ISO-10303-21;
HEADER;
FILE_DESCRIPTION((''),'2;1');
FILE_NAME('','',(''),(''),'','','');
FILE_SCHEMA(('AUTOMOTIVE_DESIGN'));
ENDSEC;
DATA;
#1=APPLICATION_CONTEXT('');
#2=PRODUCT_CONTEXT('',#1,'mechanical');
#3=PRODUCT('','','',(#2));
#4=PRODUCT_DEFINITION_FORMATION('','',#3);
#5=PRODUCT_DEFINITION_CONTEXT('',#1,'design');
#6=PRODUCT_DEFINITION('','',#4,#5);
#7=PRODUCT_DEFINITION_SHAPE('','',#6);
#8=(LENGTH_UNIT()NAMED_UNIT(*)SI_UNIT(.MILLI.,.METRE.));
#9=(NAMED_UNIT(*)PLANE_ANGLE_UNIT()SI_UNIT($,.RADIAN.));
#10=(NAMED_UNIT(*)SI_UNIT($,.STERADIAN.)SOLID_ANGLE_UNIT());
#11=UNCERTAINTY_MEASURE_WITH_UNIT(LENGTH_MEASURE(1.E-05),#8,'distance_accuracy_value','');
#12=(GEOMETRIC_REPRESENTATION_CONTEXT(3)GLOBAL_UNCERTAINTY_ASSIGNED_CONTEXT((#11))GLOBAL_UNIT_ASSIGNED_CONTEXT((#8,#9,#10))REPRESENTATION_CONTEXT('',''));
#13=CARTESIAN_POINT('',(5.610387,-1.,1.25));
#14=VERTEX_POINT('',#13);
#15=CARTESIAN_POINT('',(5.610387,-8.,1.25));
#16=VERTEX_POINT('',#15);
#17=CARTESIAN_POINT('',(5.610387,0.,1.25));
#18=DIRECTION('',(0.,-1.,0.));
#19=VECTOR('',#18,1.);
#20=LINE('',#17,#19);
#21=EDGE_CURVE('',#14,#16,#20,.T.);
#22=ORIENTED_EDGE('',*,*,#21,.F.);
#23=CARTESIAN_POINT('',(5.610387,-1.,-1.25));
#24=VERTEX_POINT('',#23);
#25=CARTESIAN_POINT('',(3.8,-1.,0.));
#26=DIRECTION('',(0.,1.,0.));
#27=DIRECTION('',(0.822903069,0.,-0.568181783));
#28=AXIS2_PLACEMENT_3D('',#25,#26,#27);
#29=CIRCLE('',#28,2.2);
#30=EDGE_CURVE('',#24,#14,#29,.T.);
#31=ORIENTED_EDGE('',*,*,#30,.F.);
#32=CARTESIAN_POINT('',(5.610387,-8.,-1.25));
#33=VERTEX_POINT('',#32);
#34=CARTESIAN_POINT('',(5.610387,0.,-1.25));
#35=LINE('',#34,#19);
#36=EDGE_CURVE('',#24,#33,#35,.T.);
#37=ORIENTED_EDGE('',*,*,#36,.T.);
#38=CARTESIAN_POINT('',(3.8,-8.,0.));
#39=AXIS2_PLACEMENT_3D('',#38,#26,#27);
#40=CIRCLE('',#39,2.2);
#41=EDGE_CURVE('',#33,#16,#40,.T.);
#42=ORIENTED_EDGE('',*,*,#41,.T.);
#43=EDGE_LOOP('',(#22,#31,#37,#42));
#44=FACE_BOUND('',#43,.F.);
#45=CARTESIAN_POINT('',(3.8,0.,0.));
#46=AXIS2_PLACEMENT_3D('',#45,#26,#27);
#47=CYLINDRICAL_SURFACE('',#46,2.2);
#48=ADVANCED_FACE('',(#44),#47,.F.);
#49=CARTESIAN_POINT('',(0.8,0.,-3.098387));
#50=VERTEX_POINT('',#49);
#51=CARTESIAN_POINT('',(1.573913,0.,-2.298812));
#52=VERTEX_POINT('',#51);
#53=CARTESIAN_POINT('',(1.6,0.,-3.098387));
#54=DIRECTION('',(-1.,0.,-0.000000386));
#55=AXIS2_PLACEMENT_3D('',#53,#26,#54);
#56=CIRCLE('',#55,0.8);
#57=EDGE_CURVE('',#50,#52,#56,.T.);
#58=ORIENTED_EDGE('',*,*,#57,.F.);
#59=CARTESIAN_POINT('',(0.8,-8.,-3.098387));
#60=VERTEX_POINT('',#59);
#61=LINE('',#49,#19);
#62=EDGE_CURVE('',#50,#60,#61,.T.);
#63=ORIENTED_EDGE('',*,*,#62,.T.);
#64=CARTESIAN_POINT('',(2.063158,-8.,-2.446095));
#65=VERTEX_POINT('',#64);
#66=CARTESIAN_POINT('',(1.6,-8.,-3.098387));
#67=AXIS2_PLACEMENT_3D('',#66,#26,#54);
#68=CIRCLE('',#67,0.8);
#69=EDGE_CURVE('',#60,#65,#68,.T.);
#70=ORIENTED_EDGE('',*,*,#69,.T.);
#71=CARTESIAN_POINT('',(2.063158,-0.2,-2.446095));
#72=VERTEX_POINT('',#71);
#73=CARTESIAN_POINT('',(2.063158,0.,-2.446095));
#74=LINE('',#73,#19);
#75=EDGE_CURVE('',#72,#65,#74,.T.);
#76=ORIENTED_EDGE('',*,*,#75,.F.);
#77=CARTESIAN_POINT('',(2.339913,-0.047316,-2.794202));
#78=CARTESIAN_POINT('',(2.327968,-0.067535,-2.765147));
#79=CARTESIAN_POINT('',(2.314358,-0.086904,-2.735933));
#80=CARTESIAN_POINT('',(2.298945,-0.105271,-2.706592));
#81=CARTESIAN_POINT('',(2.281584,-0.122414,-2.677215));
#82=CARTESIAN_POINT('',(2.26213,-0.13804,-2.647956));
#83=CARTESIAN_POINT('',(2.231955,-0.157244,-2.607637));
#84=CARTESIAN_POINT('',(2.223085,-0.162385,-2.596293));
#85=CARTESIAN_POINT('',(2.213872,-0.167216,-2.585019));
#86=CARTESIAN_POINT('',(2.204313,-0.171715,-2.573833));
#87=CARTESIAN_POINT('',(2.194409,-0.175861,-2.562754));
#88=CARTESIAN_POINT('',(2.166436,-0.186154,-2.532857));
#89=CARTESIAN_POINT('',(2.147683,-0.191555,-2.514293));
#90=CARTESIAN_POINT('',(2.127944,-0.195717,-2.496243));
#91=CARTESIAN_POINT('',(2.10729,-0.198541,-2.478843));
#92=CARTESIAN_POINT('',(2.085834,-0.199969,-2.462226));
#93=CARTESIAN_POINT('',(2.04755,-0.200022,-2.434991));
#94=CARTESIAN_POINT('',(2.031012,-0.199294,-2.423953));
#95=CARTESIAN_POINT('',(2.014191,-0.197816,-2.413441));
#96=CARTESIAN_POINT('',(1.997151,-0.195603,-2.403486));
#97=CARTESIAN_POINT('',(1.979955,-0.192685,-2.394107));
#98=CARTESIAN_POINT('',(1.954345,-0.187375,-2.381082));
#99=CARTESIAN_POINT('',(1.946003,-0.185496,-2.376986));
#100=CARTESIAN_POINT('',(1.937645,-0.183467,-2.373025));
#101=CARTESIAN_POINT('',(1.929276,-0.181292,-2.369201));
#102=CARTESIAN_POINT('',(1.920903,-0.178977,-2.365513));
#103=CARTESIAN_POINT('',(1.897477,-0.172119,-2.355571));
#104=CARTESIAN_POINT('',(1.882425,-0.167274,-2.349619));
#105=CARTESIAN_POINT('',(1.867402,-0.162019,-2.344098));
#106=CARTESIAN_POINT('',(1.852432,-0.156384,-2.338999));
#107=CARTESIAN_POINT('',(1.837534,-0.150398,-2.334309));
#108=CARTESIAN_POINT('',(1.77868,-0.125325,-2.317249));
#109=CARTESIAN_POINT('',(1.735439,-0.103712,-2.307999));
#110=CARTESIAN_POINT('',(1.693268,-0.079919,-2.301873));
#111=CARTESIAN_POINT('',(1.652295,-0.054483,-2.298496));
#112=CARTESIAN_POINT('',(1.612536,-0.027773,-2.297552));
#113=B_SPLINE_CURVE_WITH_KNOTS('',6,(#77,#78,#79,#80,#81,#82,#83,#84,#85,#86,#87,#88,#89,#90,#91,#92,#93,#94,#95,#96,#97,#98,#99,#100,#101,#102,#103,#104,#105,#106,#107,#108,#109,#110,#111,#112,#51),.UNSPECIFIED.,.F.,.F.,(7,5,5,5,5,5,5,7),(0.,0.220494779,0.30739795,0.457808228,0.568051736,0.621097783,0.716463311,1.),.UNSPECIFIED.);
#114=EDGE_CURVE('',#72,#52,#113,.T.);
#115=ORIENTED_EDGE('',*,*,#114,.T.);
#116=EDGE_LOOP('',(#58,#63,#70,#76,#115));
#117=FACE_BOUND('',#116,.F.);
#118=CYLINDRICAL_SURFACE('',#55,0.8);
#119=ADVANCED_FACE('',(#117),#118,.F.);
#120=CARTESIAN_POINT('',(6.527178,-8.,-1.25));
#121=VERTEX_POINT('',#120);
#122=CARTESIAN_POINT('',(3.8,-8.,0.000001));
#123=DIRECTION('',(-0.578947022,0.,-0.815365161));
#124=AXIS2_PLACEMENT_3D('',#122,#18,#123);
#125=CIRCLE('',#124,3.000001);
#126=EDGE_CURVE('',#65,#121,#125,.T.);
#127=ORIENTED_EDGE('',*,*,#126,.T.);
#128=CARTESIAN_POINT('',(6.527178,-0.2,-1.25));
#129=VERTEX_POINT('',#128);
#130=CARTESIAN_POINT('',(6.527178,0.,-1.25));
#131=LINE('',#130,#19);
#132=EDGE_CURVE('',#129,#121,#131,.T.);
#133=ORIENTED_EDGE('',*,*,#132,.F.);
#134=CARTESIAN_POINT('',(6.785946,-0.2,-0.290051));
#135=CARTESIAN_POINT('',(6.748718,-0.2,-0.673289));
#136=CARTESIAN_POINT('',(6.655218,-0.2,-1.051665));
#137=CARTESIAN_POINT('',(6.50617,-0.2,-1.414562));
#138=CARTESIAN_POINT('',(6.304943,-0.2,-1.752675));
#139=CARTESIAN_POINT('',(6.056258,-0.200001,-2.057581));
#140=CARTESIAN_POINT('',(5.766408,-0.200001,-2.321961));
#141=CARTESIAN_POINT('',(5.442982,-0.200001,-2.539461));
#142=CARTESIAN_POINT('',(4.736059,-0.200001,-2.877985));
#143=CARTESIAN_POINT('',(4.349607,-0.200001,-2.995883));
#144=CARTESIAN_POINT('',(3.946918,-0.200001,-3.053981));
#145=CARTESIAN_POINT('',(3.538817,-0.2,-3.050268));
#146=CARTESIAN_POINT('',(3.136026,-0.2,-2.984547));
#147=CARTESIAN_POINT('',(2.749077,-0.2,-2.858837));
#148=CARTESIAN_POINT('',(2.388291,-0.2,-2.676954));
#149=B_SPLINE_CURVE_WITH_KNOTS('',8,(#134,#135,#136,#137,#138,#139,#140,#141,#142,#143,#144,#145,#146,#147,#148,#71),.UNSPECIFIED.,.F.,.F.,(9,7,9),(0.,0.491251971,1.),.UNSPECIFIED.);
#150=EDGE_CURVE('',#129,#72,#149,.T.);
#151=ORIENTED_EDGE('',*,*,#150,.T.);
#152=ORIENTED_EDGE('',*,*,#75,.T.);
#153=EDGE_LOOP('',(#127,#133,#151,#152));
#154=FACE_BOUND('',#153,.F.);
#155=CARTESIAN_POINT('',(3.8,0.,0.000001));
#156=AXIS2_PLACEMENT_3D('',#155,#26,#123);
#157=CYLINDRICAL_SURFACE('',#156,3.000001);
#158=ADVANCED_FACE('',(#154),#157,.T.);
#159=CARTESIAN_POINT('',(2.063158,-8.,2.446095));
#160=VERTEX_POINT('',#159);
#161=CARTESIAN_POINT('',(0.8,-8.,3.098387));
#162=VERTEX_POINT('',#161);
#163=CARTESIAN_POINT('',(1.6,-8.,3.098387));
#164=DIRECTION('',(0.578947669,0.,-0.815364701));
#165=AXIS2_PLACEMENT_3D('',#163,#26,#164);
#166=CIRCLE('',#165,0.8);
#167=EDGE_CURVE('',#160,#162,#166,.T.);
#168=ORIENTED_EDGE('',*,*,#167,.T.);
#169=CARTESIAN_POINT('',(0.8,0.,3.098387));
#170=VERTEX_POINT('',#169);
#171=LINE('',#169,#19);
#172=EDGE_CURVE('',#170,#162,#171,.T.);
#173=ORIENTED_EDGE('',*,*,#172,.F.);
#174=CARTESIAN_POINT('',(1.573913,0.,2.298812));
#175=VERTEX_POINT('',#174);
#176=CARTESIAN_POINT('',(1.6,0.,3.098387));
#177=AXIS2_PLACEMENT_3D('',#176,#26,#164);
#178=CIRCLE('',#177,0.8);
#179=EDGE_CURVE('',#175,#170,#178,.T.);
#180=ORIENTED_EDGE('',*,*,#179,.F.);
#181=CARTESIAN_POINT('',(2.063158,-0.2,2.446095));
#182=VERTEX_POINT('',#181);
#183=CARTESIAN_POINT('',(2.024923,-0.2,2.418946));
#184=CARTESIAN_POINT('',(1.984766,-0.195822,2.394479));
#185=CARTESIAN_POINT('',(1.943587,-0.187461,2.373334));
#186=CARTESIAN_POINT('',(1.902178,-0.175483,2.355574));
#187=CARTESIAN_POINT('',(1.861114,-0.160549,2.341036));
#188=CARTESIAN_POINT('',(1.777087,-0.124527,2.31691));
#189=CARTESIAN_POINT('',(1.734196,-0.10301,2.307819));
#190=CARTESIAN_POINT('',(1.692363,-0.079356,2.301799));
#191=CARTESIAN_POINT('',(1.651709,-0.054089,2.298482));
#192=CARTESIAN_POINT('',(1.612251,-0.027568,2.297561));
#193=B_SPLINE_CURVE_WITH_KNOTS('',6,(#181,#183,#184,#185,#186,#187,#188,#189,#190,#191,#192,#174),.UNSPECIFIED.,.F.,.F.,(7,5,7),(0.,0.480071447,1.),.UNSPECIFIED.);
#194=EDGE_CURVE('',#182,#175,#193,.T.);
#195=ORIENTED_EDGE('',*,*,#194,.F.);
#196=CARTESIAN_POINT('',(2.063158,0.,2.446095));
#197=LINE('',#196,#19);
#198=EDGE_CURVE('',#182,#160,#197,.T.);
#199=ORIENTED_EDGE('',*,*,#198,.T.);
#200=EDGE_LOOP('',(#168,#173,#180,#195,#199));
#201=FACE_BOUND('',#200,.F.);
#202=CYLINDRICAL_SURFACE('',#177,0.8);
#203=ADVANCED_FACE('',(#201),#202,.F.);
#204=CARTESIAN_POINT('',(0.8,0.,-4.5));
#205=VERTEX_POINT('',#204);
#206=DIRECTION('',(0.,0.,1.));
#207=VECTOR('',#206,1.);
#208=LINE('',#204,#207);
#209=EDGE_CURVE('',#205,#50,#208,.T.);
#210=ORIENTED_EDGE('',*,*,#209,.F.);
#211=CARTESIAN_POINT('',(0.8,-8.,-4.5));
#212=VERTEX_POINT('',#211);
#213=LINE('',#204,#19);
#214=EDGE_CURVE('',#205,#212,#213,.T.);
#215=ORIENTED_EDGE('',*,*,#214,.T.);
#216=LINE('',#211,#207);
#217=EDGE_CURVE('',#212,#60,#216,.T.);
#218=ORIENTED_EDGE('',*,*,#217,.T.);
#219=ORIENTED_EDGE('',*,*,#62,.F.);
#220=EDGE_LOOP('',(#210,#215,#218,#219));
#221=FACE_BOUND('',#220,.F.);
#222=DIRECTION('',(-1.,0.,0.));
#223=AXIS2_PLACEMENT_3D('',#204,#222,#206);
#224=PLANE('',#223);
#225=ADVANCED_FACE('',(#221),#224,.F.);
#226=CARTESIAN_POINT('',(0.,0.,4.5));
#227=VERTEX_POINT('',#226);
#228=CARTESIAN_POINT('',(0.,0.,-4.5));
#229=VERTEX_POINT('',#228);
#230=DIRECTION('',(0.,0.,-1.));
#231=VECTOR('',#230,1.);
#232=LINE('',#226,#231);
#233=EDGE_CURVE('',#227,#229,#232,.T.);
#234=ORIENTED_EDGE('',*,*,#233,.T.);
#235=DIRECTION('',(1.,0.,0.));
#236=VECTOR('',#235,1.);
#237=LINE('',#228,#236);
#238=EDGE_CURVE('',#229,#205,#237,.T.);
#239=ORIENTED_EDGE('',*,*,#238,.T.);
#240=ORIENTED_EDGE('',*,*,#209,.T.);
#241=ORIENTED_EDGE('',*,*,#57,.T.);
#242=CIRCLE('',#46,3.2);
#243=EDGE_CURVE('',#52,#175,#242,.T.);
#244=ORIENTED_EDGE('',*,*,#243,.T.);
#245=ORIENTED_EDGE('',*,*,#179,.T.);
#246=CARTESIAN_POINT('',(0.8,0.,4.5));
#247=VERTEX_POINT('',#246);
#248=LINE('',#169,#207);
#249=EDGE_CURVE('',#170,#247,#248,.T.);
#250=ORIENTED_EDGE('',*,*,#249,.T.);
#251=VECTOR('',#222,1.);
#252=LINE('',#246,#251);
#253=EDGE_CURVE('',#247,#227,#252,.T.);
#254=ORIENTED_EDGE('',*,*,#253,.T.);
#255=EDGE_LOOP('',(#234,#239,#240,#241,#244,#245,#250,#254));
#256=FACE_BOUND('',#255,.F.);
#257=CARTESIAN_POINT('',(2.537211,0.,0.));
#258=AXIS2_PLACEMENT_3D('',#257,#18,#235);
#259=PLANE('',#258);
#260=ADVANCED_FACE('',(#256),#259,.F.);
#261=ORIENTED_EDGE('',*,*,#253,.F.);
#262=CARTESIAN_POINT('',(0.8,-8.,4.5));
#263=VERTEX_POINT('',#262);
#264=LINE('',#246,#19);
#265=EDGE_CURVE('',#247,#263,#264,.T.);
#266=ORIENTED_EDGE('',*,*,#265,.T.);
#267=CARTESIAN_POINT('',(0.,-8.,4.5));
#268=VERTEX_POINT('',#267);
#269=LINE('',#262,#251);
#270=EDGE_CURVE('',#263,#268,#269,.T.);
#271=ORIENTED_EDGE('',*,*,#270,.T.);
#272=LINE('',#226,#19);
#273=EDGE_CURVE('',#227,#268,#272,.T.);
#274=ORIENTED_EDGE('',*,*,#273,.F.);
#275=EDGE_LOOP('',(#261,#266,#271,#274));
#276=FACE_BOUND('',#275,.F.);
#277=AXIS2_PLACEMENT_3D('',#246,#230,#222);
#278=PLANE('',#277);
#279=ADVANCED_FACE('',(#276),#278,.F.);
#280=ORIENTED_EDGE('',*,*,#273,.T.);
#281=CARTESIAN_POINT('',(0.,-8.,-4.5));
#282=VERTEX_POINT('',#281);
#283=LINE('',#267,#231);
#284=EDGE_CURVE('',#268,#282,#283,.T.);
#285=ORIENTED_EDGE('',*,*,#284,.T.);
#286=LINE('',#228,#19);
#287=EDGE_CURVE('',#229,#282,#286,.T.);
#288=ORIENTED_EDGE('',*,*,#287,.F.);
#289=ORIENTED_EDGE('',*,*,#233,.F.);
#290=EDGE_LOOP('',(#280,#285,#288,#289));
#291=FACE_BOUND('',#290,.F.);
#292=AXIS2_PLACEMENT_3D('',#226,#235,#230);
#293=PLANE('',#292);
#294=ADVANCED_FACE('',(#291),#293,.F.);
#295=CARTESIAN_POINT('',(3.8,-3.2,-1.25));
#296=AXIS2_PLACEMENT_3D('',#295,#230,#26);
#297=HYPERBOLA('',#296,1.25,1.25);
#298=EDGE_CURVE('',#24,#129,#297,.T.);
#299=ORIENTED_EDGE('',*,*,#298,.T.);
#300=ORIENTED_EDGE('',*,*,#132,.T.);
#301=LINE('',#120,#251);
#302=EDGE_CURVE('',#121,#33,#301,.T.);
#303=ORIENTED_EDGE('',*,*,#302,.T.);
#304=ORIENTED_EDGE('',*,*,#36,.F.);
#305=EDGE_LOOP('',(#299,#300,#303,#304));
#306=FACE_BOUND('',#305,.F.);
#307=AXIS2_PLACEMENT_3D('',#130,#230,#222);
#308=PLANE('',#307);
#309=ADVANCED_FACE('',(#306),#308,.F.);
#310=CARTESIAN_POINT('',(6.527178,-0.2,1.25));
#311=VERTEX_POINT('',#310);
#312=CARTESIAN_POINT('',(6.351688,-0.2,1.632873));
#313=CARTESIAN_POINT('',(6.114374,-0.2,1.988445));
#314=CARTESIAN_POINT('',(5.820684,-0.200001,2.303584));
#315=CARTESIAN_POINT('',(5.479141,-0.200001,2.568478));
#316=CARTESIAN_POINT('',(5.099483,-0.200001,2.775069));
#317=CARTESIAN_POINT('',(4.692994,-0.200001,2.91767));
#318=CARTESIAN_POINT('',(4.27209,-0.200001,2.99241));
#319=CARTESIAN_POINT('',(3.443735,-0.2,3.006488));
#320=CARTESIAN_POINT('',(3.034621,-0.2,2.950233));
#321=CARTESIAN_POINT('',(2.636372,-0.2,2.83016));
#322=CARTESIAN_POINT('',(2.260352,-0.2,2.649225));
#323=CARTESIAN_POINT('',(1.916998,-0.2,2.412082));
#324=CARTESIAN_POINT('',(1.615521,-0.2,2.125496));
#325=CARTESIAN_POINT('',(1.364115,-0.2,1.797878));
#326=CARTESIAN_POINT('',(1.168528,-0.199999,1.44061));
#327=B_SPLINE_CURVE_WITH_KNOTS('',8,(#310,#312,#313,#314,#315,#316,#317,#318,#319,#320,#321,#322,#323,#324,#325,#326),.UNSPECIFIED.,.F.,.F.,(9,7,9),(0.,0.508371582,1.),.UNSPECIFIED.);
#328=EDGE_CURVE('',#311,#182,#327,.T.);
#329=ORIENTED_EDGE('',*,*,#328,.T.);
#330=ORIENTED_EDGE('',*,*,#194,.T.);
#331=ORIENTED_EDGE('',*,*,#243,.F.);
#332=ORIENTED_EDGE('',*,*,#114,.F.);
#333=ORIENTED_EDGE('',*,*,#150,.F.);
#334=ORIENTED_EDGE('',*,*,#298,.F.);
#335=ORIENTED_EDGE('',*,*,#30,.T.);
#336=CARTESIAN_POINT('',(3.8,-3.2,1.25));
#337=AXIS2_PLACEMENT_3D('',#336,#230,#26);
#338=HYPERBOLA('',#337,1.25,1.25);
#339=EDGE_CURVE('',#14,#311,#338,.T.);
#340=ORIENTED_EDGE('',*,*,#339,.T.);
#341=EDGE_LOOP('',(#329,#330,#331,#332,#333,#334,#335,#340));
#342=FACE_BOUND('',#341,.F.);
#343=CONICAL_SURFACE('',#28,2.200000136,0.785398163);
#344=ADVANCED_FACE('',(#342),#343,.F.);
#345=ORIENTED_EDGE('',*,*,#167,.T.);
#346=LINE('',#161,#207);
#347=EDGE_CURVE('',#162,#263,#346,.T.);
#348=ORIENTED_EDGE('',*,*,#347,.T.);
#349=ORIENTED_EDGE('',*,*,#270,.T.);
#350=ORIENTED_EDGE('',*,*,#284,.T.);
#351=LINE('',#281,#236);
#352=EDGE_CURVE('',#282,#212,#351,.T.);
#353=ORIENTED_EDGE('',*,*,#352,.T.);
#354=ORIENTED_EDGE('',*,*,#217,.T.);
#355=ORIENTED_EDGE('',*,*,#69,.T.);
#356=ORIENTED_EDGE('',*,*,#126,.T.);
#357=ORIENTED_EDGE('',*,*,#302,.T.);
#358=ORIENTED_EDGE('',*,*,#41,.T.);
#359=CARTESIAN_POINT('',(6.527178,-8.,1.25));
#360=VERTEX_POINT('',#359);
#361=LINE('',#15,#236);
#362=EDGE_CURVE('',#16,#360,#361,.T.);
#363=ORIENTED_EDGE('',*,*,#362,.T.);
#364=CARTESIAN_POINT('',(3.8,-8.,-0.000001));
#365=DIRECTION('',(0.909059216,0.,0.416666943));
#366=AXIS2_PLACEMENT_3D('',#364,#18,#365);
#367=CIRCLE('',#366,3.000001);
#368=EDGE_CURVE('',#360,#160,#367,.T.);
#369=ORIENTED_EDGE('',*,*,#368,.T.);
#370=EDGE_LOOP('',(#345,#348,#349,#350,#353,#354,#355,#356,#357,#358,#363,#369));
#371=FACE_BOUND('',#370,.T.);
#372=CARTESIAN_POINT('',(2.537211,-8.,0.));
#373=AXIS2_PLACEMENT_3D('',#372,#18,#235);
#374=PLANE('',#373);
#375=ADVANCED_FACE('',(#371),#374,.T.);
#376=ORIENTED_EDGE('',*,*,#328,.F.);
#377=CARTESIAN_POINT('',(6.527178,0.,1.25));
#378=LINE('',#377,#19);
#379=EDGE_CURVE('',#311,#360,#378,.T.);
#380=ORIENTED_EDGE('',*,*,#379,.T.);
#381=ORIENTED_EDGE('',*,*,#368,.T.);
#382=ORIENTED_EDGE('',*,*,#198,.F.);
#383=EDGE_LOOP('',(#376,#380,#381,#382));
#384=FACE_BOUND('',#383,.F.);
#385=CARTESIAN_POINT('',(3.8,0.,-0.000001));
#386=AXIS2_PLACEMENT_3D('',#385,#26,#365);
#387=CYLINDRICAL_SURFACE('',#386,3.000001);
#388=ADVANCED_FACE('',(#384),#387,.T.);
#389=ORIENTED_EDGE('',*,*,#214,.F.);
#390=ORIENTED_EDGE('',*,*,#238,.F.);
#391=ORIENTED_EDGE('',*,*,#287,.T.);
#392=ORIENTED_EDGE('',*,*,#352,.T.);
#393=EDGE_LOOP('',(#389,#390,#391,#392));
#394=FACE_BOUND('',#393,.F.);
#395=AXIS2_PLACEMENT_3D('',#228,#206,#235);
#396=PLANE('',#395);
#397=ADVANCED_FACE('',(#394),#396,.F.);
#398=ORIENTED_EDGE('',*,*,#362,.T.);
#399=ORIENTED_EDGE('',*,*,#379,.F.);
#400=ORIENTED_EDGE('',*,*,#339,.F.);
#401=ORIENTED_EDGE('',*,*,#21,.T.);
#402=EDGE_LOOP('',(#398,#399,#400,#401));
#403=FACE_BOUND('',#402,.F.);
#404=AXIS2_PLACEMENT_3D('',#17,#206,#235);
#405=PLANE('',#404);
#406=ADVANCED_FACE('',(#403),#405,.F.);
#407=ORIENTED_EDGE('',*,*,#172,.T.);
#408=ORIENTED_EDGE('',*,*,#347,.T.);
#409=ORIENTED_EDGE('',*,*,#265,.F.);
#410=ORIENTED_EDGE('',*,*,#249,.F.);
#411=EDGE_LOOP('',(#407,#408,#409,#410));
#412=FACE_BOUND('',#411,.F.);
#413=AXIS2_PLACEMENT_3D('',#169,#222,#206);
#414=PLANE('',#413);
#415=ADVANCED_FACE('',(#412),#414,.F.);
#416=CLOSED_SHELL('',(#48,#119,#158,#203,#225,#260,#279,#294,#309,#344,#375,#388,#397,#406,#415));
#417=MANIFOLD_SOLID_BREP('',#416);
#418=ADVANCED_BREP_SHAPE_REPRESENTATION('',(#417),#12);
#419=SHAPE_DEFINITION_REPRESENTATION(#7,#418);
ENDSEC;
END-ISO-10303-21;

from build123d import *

# Parameters (mm, degrees)
F1_DEPTH = 8
F2_SIZE  = 1


with BuildPart() as f1:
    # F0 (on Front) → F1 (new body)
    with BuildSketch(Plane.XZ):
        with BuildLine():
            Line((0, 4.5), (0, 0))
            Line((0, 0), (0, -4.5))
            Line((0, -4.5), (0.8, -4.5))
            Line((0.8, -4.5), (0.8, -3.098387))
            ThreePointArc((0.8, -3.098387), (1.232935, -2.387568), (2.063158, -2.446095))
            ThreePointArc((2.063158, -2.446095), (4.576435, -2.897783), (6.527178, -1.25))
            Line((6.527178, -1.25), (5.610387, -1.25))
            ThreePointArc((5.610387, -1.25), (1.6, 0), (5.610387, 1.25))
            Line((5.610387, 1.25), (6.527178, 1.25))
            ThreePointArc((6.527178, 1.25), (4.576435, 2.897783), (2.063158, 2.446095))
            ThreePointArc((2.063158, 2.446095), (1.232935, 2.387568), (0.8, 3.098387))
            Line((0.8, 3.098387), (0.8, 4.5))
            Line((0.8, 4.5), (0, 4.5))
        make_face()
    extrude(amount=F1_DEPTH)

    # F2
    f2_edges = [f1.edges().sort_by_distance(p)[0] for p in [
        (1.6, 0, 0),
    ]]
    chamfer(f2_edges, length=F2_SIZE)


solid = f1.part
